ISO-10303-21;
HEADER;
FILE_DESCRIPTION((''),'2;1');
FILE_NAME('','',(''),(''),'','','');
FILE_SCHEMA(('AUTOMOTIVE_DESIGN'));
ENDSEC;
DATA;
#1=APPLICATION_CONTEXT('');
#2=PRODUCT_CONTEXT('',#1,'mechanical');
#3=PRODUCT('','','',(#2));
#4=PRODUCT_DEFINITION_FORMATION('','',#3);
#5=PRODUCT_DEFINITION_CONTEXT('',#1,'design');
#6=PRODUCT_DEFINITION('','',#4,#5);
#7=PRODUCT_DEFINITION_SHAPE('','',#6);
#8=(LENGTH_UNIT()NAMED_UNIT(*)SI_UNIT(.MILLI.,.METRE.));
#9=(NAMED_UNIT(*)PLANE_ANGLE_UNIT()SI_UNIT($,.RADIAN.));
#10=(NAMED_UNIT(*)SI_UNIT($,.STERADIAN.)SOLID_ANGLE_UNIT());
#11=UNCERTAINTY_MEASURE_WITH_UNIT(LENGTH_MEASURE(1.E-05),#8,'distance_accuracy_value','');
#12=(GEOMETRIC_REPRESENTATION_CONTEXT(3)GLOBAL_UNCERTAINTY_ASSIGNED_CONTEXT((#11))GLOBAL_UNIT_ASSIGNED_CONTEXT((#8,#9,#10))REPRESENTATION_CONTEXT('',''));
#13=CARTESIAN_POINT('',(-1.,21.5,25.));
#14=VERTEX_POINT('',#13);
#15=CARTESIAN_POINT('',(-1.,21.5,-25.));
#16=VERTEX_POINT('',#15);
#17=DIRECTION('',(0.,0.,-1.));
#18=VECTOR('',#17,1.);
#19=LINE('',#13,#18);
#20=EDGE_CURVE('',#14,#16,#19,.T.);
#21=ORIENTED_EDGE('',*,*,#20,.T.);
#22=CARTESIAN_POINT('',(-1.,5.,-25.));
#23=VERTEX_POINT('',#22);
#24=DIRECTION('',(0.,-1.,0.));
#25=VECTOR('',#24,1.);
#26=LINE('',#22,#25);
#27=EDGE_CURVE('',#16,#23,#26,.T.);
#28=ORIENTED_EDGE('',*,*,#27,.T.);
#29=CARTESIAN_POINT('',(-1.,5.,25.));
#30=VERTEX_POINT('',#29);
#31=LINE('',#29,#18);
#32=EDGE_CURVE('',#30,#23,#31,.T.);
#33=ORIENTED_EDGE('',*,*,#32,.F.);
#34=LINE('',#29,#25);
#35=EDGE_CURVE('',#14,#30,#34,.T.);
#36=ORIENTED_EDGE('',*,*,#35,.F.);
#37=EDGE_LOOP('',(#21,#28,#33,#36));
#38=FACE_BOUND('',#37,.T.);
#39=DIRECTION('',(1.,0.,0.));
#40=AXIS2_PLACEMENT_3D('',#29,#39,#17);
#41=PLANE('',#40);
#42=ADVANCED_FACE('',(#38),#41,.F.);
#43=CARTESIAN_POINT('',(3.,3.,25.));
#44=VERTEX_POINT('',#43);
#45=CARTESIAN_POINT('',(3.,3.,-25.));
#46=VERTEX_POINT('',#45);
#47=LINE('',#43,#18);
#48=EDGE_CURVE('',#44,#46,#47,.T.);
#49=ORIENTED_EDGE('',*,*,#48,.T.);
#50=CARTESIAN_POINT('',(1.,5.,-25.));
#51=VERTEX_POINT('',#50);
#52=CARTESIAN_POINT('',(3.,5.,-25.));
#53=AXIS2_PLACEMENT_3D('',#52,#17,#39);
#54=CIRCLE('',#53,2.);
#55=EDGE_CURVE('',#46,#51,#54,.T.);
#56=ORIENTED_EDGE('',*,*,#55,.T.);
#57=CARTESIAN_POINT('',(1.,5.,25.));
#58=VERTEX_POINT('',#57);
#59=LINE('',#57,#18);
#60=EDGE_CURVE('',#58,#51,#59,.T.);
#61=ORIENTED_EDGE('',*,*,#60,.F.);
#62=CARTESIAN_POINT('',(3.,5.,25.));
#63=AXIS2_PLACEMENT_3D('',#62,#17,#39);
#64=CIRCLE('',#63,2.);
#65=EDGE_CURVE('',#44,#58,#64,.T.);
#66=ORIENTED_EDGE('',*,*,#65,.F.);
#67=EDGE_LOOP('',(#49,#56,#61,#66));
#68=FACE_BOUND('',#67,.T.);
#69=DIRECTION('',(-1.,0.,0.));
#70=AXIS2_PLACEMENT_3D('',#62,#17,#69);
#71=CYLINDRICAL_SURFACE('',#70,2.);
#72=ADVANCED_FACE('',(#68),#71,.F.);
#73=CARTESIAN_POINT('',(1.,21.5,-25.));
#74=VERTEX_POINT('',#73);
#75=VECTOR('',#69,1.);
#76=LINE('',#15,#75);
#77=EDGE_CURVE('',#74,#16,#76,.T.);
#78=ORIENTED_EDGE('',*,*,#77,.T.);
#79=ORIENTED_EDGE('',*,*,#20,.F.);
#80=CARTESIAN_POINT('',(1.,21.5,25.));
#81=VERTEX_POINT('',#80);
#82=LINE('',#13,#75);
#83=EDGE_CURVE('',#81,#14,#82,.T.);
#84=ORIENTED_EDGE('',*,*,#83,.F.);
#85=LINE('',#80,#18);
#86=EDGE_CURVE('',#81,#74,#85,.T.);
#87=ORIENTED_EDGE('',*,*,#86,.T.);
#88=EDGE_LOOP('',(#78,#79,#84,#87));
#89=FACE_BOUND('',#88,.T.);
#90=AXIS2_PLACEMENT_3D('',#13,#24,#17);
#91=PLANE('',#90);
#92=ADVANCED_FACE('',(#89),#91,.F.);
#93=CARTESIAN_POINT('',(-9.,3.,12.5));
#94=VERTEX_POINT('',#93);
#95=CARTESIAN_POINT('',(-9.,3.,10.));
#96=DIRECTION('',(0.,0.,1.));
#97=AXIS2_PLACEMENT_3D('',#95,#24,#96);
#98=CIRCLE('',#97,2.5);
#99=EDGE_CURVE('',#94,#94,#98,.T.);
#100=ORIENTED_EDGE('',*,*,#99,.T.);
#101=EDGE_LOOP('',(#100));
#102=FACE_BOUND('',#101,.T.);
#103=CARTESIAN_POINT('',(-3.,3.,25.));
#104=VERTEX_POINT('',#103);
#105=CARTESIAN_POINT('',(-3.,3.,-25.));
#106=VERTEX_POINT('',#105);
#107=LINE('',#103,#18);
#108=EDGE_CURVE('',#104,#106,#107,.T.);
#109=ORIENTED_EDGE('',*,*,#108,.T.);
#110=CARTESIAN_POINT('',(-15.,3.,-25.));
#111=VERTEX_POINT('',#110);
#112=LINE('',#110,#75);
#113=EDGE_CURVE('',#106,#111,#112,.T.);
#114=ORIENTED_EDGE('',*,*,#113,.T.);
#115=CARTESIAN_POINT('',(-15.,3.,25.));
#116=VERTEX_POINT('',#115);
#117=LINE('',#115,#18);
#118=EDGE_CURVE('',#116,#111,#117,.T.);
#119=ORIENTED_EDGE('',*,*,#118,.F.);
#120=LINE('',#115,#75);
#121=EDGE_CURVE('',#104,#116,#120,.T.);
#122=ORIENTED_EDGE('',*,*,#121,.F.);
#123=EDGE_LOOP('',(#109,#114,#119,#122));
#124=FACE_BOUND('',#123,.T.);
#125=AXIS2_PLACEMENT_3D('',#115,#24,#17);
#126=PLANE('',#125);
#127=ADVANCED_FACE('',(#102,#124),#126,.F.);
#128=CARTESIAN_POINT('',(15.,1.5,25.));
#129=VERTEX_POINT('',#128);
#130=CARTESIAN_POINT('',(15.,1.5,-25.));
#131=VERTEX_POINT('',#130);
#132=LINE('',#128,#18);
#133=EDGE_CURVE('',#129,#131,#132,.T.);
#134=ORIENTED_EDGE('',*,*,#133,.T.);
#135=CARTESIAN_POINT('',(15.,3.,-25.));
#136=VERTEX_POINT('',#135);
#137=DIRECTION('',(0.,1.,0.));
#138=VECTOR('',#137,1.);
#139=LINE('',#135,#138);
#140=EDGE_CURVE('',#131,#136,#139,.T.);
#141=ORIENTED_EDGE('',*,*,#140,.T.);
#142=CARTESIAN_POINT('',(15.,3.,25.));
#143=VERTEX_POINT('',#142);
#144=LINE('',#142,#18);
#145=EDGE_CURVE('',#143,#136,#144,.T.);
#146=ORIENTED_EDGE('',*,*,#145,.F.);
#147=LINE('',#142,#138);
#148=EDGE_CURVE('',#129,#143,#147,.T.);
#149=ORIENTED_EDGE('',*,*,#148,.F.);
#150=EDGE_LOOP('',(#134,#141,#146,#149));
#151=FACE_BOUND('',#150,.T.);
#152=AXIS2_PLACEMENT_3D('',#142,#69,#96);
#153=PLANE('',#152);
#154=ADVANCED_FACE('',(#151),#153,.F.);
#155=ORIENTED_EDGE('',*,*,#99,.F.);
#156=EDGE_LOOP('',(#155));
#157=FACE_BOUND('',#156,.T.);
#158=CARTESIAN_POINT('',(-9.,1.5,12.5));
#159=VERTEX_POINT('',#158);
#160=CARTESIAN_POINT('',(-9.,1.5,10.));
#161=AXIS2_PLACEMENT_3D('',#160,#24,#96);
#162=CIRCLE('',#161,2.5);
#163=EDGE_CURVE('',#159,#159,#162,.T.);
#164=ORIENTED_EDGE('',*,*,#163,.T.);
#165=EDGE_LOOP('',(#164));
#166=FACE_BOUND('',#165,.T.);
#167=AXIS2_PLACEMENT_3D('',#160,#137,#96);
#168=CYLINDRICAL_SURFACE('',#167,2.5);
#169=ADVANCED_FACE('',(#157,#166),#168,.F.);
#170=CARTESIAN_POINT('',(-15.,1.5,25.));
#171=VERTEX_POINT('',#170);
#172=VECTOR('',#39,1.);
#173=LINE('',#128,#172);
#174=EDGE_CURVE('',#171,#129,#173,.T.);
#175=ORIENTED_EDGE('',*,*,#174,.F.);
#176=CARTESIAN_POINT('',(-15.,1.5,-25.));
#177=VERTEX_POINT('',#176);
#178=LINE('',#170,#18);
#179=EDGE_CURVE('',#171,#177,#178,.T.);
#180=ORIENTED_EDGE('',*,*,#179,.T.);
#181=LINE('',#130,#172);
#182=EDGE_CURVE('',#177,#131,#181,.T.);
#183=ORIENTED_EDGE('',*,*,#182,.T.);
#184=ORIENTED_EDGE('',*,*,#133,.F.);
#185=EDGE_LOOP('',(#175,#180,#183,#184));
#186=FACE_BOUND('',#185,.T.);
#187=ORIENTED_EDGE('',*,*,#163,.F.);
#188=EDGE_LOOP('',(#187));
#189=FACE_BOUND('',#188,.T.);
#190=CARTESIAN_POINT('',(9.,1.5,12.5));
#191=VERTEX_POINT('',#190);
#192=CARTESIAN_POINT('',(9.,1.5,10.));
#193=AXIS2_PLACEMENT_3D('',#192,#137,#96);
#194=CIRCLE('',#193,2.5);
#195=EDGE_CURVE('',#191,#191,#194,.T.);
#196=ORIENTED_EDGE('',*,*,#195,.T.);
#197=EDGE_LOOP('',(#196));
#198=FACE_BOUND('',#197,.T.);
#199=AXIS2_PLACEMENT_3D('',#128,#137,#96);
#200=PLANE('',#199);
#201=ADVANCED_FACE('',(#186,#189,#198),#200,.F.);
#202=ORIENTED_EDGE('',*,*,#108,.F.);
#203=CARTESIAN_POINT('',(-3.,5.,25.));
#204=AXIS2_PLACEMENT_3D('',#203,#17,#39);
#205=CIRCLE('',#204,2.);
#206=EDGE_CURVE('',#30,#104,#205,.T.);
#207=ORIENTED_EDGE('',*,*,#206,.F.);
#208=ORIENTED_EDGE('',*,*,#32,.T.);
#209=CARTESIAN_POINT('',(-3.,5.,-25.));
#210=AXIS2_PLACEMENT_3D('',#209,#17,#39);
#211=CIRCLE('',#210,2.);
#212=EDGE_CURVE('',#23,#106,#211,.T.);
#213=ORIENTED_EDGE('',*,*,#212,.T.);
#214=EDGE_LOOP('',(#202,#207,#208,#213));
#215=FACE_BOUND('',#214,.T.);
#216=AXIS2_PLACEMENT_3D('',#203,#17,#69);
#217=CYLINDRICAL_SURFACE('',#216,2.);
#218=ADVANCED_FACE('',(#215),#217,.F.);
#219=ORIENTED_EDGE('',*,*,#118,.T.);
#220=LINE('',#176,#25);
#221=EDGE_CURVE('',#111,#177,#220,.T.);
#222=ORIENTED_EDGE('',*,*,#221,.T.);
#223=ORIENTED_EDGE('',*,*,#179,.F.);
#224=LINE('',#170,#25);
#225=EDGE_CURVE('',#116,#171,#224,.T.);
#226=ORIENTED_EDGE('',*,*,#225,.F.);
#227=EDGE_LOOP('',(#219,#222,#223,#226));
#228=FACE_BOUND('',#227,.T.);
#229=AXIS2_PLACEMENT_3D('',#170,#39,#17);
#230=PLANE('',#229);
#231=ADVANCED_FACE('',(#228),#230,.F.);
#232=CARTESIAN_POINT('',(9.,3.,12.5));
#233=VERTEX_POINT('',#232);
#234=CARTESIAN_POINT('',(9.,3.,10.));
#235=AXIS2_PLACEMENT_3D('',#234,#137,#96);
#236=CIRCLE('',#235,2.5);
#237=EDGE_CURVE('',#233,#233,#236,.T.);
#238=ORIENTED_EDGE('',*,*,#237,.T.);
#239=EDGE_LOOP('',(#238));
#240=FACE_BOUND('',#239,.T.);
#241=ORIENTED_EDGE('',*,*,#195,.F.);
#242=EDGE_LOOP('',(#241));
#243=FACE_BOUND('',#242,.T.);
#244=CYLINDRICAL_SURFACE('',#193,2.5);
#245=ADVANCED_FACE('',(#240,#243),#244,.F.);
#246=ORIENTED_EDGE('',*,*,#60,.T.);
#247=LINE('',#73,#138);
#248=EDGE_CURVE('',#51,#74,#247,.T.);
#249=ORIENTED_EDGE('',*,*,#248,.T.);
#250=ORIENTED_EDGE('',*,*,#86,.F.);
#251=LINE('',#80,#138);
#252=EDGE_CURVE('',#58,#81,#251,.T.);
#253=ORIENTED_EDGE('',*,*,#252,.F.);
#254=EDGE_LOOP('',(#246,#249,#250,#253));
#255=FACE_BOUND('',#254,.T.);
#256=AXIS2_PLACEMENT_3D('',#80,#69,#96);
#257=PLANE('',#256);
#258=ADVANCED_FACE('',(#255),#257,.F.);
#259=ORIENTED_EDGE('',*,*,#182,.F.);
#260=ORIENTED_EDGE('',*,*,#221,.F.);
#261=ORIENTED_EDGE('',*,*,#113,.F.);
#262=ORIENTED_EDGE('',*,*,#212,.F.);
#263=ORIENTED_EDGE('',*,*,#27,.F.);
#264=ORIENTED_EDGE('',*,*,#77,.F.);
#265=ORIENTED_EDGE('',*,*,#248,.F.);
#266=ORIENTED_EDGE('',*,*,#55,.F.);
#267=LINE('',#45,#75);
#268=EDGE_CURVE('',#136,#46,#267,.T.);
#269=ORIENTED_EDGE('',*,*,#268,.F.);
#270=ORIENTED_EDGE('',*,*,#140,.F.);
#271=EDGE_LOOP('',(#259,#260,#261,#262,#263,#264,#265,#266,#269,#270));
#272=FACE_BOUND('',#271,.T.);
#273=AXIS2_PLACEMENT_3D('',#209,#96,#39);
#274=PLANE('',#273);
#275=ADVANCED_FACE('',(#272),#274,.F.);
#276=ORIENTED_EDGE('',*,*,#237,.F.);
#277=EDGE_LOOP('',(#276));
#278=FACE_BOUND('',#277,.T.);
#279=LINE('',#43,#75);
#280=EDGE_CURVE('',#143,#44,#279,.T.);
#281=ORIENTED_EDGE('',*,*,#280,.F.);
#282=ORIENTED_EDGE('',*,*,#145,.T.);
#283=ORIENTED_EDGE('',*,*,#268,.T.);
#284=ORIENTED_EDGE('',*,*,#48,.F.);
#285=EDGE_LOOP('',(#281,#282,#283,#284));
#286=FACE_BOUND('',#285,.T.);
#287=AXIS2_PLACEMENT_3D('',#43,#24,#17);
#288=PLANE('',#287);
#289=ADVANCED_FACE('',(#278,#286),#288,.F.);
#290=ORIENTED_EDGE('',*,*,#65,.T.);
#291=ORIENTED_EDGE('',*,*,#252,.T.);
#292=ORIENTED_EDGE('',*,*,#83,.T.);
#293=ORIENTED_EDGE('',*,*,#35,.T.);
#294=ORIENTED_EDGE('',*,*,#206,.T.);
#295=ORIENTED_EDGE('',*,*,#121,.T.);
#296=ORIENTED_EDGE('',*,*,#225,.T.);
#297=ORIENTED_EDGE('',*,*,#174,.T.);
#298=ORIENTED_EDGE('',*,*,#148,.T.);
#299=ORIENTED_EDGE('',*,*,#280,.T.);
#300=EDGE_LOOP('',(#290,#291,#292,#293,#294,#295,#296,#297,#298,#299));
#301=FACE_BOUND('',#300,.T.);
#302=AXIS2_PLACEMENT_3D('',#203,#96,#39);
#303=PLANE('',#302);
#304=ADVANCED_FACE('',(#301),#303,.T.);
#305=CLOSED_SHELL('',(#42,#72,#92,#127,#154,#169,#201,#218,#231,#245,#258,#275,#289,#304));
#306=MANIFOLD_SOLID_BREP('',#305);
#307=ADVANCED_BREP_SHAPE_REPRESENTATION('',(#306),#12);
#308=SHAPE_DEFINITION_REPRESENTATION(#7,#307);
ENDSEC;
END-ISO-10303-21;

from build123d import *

# Parameters (mm, degrees)
EXTRUDE_3_DEPTH     = 25
SKETCH_5_R          = 2.5
CUT_EXTRUDE_1_DEPTH = 35.528973341


with BuildPart() as part:
    # 草图3 → 凸台-拉伸3 (new, symmetric)
    with BuildSketch(Plane.XY):
        with BuildLine():
            Line((15, 1.5), (-15, 1.5))
            Line((-15, 1.5), (-15, 3))
            Line((-15, 3), (-3, 3))
            ThreePointArc((-3, 3), (-1.585786438, 3.585786438), (-1, 5))
            Line((-1, 5), (-1, 21.5))
            Line((-1, 21.5), (1, 21.5))
            Line((1, 21.5), (1, 5))
            ThreePointArc((1, 5), (1.585786438, 3.585786438), (3, 3))
            Line((3, 3), (15, 3))
            Line((15, 3), (15, 1.5))
        make_face()
    extrude(amount=EXTRUDE_3_DEPTH, both=True)

    # 草图5 → 切除-拉伸1 (cut, through all)
    with BuildSketch(Plane(origin=(0, 3, 0), x_dir=(1, 0, 0), z_dir=(0, 1, 0))):
        with Locations(Location((9, -10, 0), (0, 0, 270))):
            Circle(SKETCH_5_R)
    cut_extrude_1 = extrude(amount=-CUT_EXTRUDE_1_DEPTH, mode=Mode.SUBTRACT)

    # 镜向1: 切除-拉伸1 across plane
    add(cut_extrude_1.mirror(Plane(origin=(0, 0, 0), x_dir=(0, 0, 1), z_dir=(1, 0, 0))), mode=Mode.SUBTRACT)


solid = part.part
